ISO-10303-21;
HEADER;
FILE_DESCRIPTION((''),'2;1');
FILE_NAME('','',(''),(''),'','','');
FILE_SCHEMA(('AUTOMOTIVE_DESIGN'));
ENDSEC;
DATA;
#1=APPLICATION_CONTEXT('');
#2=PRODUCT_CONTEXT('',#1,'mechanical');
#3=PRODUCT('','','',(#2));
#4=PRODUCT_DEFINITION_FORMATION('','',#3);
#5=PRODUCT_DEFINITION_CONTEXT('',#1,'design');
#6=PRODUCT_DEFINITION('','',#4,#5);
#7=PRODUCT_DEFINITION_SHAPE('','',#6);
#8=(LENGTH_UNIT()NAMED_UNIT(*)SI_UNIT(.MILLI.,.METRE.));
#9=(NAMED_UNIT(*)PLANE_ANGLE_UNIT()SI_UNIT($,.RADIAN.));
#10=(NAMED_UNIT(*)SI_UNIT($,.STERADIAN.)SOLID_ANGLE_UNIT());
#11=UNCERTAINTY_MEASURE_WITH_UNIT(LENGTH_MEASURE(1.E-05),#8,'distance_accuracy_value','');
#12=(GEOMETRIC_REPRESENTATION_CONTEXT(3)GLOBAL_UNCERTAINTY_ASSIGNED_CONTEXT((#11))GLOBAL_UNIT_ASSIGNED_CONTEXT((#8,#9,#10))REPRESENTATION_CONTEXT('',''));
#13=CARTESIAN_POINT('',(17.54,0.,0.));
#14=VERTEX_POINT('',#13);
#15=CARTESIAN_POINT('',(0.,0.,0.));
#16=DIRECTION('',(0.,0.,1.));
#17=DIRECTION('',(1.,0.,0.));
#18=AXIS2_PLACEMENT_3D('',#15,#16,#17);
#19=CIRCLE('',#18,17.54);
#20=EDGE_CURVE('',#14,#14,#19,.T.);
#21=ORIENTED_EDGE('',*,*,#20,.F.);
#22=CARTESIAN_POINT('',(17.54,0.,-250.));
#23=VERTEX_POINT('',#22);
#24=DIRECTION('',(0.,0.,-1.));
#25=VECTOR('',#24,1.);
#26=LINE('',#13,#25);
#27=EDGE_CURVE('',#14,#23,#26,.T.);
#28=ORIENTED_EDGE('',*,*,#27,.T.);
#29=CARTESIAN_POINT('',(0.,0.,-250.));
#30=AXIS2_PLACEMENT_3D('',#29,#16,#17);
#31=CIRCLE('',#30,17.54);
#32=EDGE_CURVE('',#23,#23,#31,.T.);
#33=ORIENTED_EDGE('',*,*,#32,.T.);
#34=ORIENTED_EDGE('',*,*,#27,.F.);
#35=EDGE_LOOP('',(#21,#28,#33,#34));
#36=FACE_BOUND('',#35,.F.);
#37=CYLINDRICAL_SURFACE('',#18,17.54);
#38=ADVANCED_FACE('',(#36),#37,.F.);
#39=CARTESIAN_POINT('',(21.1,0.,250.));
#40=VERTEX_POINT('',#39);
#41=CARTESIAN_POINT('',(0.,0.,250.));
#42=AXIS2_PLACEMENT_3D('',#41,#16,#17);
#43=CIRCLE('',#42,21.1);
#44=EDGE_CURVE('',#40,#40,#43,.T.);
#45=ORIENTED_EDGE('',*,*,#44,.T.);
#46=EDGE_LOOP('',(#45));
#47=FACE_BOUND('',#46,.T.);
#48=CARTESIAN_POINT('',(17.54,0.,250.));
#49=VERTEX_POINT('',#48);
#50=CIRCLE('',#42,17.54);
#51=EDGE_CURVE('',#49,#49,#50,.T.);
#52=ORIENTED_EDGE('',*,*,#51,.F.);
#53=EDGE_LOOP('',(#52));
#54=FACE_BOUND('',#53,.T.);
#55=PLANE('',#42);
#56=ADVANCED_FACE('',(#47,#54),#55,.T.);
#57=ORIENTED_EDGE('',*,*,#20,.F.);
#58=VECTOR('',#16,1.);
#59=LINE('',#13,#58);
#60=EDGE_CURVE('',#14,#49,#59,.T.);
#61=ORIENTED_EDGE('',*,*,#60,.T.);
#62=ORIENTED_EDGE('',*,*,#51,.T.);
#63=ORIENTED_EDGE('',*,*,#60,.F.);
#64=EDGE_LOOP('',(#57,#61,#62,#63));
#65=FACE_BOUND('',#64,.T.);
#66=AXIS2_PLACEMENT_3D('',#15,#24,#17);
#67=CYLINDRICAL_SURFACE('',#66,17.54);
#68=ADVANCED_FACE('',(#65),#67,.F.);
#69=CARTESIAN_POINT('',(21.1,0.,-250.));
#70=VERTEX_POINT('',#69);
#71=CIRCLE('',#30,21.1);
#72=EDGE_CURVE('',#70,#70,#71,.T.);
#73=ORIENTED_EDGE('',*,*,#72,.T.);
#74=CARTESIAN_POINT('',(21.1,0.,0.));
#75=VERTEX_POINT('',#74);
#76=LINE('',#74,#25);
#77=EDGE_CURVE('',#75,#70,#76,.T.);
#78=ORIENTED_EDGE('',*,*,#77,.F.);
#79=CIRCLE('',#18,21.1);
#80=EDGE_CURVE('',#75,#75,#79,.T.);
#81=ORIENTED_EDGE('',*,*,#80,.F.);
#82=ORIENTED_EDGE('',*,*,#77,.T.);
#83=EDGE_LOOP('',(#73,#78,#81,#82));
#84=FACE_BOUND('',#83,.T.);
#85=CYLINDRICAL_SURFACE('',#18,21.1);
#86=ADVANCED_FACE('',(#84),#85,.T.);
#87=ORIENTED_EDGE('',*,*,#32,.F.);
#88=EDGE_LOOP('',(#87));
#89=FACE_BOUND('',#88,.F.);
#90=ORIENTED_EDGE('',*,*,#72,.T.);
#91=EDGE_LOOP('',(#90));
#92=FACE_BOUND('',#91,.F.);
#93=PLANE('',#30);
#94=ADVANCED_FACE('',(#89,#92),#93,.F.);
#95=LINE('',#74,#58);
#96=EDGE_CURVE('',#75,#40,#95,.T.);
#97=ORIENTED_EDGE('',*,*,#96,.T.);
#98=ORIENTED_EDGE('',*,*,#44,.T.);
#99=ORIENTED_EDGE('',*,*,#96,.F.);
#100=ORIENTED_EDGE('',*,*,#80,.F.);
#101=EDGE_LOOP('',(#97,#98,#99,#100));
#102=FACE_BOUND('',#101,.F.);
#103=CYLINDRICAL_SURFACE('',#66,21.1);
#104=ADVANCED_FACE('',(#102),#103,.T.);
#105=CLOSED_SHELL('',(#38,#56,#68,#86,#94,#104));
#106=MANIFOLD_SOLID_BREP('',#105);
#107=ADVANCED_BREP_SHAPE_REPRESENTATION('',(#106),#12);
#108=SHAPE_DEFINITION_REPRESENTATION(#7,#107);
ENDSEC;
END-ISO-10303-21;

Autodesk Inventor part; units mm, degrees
ref_plane "YZ Plane" through (0, 0, 0) normal (1, 0, 0) x (0, 1, 0)
ref_plane "XZ Plane" through (0, 0, 0) normal (0, 1, 0) x (-1, 0, 0)
ref_plane "XY Plane" through (0, 0, 0) normal (0, 0, 1) x (1, 0, 0)
sketch "Sketch1" plane through (0, 0, 0) normal (0, 0, 1) x (1, 0, 0)
  circle A0 centre (0, 0) radius 21.1
  circle A1 centre (0, 0) radius 17.54
  dimension "OD" = 42.2
  dimension "t" = 3.56
extrude "Extrusion1" add sketch "Sketch1" along normal mid plane 500
equation "\"size\" = 7"
properties part number "tube-16"
